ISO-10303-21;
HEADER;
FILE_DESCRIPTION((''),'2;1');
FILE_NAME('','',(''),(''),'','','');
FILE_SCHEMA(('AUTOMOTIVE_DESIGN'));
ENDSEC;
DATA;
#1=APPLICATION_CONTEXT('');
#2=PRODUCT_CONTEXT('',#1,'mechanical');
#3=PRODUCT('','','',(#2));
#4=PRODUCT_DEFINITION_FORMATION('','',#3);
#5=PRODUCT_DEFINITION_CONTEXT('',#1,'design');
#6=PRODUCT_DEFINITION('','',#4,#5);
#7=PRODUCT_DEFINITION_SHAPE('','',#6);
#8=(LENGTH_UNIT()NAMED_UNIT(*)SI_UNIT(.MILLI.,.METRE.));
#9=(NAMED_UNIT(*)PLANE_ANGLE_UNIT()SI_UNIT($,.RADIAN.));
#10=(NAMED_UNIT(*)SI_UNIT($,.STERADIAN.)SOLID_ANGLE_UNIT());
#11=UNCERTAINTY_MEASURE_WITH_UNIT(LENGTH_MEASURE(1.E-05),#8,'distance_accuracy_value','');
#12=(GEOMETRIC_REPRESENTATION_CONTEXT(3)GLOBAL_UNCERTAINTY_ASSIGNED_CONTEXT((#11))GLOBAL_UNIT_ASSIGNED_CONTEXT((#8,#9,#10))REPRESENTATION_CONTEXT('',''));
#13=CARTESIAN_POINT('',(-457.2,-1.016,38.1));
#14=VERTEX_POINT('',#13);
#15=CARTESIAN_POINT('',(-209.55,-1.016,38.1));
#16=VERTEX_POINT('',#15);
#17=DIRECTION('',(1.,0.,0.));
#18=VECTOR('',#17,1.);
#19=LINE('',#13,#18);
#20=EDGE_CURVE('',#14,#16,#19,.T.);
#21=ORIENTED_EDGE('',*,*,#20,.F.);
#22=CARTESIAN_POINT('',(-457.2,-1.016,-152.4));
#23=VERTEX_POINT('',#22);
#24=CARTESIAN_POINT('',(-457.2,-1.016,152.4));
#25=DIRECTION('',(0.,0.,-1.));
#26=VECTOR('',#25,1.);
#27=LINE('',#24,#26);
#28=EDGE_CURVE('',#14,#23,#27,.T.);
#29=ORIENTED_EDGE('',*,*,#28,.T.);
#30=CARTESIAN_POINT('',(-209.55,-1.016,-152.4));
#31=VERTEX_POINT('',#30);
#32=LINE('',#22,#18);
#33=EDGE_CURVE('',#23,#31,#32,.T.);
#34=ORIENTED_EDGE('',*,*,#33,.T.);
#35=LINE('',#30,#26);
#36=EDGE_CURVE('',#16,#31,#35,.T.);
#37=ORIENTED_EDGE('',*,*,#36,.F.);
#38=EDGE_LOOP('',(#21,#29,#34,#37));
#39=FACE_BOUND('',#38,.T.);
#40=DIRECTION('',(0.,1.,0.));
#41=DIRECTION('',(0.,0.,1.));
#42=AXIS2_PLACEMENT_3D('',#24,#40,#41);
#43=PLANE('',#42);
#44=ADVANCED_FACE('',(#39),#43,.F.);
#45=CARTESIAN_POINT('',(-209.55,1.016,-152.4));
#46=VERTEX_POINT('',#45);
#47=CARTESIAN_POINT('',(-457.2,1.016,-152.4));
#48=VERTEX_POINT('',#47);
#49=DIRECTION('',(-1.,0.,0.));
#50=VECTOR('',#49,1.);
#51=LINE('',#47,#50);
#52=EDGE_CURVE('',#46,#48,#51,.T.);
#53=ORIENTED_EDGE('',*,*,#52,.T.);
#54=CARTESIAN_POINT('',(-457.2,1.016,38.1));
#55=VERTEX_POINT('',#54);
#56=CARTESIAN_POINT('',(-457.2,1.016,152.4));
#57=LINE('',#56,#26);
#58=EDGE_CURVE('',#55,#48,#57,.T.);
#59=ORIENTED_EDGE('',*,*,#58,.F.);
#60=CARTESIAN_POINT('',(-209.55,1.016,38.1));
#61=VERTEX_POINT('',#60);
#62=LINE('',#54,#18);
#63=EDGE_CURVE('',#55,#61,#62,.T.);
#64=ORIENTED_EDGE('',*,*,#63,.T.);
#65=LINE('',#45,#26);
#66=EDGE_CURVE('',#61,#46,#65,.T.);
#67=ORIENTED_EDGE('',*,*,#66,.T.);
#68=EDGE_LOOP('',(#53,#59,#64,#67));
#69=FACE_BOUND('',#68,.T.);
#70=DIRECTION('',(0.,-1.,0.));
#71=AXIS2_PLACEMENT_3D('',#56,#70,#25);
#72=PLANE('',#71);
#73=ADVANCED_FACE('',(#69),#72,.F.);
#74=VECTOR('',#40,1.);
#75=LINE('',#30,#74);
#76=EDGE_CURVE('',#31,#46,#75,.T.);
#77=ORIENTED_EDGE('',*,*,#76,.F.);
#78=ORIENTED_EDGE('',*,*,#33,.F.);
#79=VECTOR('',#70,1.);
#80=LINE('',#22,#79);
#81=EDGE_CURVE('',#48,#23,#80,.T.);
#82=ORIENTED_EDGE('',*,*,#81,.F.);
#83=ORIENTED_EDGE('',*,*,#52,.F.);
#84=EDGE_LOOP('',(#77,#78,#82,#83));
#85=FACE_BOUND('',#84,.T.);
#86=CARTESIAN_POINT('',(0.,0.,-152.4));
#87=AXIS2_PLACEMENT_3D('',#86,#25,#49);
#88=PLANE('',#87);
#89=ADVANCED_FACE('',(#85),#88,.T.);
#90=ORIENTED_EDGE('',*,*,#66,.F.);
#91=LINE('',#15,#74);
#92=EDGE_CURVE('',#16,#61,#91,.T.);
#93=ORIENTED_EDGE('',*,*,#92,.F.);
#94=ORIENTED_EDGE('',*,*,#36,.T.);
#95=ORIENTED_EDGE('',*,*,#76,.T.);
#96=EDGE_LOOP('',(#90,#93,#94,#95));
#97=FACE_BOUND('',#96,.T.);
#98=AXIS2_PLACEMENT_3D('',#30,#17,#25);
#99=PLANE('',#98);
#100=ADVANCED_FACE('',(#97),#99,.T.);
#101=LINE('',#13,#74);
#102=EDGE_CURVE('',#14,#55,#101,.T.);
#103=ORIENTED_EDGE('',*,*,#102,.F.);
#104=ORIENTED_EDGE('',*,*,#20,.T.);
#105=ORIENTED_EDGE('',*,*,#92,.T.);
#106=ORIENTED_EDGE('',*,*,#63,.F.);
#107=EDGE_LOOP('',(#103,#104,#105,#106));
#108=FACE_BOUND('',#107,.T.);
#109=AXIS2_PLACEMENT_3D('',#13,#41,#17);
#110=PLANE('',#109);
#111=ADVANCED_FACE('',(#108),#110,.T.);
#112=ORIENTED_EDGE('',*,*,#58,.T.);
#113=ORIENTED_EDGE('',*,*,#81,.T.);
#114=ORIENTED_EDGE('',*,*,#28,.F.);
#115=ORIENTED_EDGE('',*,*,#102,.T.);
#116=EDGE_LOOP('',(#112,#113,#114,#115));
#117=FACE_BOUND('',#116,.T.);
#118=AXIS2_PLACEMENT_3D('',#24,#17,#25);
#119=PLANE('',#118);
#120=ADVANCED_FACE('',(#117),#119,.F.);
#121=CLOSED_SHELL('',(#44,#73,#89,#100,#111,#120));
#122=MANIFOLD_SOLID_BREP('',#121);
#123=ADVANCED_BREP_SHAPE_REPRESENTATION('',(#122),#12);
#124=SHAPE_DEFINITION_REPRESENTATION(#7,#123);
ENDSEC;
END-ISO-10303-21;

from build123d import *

# Parameters (mm, degrees)
SKETCH3_W           = 914.4
SKETCH3_H           = 2.032
BOSS_EXTRUDE1_DEPTH = 152.4
SKETCH4_OUTSIDE_W   = 1109.172
SKETCH4_OUTSIDE_H   = 499.572
SKETCH4_OUTSIDE_W_2 = 247.65
SKETCH4_OUTSIDE_H_2 = 190.5
CUT_EXTRUDE1_DEPTH  = 482.935399223


with BuildPart() as part:
    # Sketch3 → Boss-Extrude1 (new, symmetric)
    with BuildSketch(Plane.XY):
        Rectangle(SKETCH3_W, SKETCH3_H)
    extrude(amount=BOSS_EXTRUDE1_DEPTH, both=True)

    # Sketch4 outside → Cut-Extrude1 (cut, through all)
    with BuildSketch(Plane(origin=(0, 1.016, 0), x_dir=(1, 0, 0), z_dir=(0, 1, 0))):
        Rectangle(SKETCH4_OUTSIDE_W, SKETCH4_OUTSIDE_H)
        with Locations((-333.375, 57.15)):
            Rectangle(SKETCH4_OUTSIDE_W_2, SKETCH4_OUTSIDE_H_2, mode=Mode.SUBTRACT)
    extrude(amount=-CUT_EXTRUDE1_DEPTH, mode=Mode.SUBTRACT)


solid = part.part
